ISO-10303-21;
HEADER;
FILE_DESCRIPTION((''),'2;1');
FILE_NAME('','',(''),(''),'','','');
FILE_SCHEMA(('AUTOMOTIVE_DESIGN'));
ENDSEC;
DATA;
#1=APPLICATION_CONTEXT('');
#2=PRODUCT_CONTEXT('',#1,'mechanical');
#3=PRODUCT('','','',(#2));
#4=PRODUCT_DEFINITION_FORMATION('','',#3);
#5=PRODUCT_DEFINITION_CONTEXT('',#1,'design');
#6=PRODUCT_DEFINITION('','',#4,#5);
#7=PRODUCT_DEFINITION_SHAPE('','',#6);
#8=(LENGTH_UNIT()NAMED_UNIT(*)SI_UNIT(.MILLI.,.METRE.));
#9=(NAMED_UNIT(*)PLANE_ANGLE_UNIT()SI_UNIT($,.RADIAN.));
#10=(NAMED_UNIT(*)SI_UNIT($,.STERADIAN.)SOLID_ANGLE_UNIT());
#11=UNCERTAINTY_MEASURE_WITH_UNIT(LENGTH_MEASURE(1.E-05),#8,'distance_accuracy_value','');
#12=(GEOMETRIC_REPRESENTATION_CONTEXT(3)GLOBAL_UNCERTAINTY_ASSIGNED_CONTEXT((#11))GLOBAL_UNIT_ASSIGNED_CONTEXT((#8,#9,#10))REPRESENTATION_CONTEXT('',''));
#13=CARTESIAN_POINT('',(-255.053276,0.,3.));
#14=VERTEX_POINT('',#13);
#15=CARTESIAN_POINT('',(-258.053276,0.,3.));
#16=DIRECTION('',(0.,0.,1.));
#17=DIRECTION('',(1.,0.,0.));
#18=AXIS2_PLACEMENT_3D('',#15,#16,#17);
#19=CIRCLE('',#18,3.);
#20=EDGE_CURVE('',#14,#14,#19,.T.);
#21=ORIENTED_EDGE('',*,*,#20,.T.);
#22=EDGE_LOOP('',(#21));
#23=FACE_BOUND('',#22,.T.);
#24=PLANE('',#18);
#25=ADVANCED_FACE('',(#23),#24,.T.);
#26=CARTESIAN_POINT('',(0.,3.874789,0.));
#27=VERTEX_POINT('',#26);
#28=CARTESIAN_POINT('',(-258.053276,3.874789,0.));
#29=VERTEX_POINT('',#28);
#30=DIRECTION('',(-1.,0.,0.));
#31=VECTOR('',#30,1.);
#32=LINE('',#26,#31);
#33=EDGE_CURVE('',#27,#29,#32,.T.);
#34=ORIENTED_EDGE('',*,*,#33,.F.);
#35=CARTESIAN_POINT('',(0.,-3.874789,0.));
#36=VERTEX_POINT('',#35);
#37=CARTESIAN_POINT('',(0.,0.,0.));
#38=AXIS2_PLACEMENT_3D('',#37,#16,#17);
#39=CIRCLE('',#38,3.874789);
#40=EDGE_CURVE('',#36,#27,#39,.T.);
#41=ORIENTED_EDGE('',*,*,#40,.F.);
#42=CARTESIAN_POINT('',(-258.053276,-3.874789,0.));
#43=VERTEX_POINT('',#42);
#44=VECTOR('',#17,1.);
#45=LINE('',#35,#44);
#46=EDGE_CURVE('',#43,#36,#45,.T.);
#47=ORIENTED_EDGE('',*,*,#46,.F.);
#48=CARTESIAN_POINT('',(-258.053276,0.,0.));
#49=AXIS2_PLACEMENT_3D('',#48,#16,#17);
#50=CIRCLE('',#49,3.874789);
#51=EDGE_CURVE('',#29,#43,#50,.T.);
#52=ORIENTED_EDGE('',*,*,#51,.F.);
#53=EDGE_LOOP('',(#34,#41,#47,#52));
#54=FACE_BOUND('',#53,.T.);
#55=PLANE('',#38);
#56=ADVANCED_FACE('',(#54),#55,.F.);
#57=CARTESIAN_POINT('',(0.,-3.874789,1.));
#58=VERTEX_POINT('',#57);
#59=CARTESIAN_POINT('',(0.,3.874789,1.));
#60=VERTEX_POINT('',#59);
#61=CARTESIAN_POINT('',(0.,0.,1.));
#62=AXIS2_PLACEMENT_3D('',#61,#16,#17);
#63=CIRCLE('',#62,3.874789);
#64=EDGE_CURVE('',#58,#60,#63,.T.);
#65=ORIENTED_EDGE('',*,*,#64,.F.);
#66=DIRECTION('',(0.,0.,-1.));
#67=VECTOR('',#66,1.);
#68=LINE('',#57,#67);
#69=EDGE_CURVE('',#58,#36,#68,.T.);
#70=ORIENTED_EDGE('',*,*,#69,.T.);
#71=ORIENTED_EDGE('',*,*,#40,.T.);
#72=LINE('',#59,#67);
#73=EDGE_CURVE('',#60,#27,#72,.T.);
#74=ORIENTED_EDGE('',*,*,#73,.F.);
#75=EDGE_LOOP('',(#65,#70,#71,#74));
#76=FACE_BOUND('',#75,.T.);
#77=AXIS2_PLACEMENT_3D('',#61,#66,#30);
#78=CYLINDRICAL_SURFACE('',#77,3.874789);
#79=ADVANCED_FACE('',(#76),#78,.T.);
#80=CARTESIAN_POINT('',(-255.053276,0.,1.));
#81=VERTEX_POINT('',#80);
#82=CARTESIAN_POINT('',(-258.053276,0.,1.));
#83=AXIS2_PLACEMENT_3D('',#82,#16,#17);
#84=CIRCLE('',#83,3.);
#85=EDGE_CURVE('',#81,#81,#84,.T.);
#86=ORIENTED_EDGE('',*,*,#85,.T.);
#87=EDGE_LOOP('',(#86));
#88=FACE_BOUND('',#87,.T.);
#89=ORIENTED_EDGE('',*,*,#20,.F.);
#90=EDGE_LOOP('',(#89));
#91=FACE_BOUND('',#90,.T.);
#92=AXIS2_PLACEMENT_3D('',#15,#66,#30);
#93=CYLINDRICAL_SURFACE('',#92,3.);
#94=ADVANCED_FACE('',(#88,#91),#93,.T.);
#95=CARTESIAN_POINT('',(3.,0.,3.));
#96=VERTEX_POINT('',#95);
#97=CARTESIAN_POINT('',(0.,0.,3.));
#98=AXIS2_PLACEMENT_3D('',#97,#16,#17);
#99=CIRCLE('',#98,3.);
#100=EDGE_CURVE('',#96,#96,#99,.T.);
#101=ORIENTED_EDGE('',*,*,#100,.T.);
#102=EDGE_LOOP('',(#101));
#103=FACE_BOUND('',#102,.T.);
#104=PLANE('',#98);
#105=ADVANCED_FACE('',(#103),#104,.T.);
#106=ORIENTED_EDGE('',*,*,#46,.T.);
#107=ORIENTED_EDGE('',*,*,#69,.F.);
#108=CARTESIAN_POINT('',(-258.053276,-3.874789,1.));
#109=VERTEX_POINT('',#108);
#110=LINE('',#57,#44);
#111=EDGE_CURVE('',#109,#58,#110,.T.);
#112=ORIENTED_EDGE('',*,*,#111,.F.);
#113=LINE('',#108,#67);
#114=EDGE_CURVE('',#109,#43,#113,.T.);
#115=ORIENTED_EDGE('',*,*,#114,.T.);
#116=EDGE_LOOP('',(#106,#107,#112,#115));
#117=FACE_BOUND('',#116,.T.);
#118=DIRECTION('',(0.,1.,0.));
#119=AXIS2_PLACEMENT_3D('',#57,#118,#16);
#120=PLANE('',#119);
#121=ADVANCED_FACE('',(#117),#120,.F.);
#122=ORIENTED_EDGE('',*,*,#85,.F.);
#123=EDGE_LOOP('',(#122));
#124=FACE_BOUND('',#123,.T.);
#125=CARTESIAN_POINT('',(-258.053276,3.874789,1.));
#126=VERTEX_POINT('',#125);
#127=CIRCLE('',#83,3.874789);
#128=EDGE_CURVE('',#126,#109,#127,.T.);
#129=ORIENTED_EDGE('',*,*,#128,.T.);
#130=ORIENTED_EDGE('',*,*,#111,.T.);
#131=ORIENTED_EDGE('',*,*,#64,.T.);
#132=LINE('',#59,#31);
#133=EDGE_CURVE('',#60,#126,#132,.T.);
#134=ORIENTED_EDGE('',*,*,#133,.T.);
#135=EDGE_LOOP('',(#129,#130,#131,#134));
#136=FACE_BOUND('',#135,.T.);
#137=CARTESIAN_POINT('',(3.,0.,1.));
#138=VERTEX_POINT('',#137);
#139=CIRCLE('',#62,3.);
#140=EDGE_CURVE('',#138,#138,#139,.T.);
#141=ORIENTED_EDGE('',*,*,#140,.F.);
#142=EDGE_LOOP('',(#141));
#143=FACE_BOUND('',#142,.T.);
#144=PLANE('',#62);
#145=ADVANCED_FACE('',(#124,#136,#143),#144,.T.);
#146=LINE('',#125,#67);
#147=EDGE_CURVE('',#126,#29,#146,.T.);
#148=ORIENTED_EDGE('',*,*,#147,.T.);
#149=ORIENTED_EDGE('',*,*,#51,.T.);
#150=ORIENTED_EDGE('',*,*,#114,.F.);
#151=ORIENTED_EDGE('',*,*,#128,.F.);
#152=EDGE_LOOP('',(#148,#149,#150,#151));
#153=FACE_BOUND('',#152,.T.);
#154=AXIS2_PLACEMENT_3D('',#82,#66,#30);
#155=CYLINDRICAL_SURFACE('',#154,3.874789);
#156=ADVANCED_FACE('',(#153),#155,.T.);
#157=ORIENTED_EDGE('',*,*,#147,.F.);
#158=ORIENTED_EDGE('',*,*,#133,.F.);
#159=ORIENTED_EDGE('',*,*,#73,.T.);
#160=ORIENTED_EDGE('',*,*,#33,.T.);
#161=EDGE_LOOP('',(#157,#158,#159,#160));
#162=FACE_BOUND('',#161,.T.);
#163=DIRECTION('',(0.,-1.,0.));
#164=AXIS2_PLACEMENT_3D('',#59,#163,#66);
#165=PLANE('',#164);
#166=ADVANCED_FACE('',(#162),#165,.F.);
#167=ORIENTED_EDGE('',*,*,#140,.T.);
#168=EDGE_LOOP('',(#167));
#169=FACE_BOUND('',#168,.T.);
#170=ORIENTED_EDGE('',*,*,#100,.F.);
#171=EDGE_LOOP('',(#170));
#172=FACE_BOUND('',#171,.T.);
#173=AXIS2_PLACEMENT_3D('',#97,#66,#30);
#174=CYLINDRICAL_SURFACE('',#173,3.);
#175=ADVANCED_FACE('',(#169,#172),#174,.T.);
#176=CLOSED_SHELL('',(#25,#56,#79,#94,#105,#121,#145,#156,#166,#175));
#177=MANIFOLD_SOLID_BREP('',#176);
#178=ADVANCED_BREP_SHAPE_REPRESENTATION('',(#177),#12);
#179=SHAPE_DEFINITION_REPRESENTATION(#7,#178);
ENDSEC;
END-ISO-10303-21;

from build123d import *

# Parameters (mm, degrees)
EXTRUDE_1_DEPTH = 1
SKETCH_2_R      = 3
EXTRUDE_2_DEPTH = 2
SKETCH_3_R      = 3
EXTRUDE_3_DEPTH = 2


with BuildPart() as part:
    # 草图1 → 凸台-拉伸1 (new body)
    with BuildSketch(Plane.XY):
        with BuildLine():
            Line((0, -3.874788925), (-258.053276248, -3.874788925))
            ThreePointArc((-258.053276248, -3.874788925), (-261.928065173, 0), (-258.053276248, 3.874788925))
            Line((-258.053276248, 3.874788925), (0, 3.874788925))
            ThreePointArc((0, 3.874788925), (3.874788925, 0), (0, -3.874788925))
        make_face()
    extrude(amount=EXTRUDE_1_DEPTH)

    # 草图2 → 凸台-拉伸2 (add)
    with BuildSketch(Plane.XY.offset(1)):
        Circle(SKETCH_2_R)
    extrude(amount=EXTRUDE_2_DEPTH)

    # 草图3 → 凸台-拉伸3 (add)
    with BuildSketch(Plane.XY.offset(1)):
        with Locations((-258.053276248, 0)):
            Circle(SKETCH_3_R)
    extrude(amount=EXTRUDE_3_DEPTH)


solid = part.part
